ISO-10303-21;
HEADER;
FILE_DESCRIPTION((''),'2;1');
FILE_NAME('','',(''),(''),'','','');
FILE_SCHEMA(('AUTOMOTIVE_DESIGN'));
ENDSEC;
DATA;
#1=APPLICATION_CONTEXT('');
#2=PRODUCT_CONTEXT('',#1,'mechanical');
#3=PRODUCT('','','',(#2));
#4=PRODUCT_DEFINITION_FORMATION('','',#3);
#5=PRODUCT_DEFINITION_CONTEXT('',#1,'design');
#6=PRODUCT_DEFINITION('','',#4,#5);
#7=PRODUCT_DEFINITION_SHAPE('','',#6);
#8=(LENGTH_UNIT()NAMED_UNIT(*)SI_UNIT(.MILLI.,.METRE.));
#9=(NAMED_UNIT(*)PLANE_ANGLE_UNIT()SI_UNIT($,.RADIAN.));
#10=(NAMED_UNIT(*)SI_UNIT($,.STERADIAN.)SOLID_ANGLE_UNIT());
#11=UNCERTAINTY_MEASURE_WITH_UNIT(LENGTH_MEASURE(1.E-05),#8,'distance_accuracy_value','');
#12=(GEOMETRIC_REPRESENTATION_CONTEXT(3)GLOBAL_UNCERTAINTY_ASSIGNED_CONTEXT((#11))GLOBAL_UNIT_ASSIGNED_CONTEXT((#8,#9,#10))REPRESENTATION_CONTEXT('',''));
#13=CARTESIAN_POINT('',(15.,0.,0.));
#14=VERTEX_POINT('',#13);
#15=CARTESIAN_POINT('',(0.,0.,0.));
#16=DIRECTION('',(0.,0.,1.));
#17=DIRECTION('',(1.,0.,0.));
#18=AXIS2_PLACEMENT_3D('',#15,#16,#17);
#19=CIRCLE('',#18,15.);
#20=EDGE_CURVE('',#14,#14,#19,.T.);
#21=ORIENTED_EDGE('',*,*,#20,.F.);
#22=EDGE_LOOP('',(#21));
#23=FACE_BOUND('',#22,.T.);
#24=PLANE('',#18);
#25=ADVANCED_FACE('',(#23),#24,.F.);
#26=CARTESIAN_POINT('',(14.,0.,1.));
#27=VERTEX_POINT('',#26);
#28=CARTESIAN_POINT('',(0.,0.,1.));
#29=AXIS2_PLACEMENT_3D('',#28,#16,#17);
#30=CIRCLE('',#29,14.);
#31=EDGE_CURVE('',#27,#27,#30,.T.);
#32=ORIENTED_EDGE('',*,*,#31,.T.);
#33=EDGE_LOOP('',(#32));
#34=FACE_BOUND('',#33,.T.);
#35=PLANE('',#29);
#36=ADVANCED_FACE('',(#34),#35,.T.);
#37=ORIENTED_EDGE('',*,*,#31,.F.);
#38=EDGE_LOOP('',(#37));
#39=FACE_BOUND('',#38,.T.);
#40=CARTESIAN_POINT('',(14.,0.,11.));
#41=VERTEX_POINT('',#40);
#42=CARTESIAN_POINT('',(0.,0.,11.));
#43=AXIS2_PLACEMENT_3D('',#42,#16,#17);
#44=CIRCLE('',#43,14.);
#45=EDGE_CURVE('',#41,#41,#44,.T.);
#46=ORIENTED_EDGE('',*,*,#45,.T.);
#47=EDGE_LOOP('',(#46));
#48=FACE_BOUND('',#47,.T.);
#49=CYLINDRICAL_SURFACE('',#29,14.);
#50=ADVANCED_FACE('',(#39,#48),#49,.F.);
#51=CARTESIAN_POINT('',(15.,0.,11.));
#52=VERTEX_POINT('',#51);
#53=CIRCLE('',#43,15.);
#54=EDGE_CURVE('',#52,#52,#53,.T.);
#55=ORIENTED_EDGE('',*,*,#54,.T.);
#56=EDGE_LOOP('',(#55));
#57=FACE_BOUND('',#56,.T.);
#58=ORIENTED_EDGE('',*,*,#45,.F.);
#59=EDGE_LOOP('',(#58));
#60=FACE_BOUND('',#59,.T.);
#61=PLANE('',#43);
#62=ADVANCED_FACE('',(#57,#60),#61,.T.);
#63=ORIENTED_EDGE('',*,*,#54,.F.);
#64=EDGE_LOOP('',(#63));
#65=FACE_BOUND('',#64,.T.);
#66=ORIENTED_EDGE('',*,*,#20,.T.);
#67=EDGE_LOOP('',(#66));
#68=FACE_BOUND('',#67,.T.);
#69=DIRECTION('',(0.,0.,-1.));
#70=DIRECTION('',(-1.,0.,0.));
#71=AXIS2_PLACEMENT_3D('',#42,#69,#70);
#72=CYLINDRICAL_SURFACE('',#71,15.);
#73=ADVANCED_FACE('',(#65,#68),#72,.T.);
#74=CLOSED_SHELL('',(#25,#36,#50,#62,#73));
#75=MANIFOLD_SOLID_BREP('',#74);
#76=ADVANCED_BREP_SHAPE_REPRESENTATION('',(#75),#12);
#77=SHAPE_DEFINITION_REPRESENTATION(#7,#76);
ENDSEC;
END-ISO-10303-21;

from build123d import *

# Parameters (mm, degrees)
SKETCH2_R           = 15
BOSS_EXTRUDE1_DEPTH = 11
SKETCH4_R           = 14
CUT_EXTRUDE1_DEPTH  = 10


with BuildPart() as part:
    # Sketch2 → Boss-Extrude1 (new body)
    with BuildSketch(Plane.XY):
        Circle(SKETCH2_R)
    extrude(amount=BOSS_EXTRUDE1_DEPTH)

    # Sketch4 → Cut-Extrude1 (cut)
    with BuildSketch(Plane.XY.offset(11)):
        Circle(SKETCH4_R)
    extrude(amount=-CUT_EXTRUDE1_DEPTH, mode=Mode.SUBTRACT)


solid = part.part
